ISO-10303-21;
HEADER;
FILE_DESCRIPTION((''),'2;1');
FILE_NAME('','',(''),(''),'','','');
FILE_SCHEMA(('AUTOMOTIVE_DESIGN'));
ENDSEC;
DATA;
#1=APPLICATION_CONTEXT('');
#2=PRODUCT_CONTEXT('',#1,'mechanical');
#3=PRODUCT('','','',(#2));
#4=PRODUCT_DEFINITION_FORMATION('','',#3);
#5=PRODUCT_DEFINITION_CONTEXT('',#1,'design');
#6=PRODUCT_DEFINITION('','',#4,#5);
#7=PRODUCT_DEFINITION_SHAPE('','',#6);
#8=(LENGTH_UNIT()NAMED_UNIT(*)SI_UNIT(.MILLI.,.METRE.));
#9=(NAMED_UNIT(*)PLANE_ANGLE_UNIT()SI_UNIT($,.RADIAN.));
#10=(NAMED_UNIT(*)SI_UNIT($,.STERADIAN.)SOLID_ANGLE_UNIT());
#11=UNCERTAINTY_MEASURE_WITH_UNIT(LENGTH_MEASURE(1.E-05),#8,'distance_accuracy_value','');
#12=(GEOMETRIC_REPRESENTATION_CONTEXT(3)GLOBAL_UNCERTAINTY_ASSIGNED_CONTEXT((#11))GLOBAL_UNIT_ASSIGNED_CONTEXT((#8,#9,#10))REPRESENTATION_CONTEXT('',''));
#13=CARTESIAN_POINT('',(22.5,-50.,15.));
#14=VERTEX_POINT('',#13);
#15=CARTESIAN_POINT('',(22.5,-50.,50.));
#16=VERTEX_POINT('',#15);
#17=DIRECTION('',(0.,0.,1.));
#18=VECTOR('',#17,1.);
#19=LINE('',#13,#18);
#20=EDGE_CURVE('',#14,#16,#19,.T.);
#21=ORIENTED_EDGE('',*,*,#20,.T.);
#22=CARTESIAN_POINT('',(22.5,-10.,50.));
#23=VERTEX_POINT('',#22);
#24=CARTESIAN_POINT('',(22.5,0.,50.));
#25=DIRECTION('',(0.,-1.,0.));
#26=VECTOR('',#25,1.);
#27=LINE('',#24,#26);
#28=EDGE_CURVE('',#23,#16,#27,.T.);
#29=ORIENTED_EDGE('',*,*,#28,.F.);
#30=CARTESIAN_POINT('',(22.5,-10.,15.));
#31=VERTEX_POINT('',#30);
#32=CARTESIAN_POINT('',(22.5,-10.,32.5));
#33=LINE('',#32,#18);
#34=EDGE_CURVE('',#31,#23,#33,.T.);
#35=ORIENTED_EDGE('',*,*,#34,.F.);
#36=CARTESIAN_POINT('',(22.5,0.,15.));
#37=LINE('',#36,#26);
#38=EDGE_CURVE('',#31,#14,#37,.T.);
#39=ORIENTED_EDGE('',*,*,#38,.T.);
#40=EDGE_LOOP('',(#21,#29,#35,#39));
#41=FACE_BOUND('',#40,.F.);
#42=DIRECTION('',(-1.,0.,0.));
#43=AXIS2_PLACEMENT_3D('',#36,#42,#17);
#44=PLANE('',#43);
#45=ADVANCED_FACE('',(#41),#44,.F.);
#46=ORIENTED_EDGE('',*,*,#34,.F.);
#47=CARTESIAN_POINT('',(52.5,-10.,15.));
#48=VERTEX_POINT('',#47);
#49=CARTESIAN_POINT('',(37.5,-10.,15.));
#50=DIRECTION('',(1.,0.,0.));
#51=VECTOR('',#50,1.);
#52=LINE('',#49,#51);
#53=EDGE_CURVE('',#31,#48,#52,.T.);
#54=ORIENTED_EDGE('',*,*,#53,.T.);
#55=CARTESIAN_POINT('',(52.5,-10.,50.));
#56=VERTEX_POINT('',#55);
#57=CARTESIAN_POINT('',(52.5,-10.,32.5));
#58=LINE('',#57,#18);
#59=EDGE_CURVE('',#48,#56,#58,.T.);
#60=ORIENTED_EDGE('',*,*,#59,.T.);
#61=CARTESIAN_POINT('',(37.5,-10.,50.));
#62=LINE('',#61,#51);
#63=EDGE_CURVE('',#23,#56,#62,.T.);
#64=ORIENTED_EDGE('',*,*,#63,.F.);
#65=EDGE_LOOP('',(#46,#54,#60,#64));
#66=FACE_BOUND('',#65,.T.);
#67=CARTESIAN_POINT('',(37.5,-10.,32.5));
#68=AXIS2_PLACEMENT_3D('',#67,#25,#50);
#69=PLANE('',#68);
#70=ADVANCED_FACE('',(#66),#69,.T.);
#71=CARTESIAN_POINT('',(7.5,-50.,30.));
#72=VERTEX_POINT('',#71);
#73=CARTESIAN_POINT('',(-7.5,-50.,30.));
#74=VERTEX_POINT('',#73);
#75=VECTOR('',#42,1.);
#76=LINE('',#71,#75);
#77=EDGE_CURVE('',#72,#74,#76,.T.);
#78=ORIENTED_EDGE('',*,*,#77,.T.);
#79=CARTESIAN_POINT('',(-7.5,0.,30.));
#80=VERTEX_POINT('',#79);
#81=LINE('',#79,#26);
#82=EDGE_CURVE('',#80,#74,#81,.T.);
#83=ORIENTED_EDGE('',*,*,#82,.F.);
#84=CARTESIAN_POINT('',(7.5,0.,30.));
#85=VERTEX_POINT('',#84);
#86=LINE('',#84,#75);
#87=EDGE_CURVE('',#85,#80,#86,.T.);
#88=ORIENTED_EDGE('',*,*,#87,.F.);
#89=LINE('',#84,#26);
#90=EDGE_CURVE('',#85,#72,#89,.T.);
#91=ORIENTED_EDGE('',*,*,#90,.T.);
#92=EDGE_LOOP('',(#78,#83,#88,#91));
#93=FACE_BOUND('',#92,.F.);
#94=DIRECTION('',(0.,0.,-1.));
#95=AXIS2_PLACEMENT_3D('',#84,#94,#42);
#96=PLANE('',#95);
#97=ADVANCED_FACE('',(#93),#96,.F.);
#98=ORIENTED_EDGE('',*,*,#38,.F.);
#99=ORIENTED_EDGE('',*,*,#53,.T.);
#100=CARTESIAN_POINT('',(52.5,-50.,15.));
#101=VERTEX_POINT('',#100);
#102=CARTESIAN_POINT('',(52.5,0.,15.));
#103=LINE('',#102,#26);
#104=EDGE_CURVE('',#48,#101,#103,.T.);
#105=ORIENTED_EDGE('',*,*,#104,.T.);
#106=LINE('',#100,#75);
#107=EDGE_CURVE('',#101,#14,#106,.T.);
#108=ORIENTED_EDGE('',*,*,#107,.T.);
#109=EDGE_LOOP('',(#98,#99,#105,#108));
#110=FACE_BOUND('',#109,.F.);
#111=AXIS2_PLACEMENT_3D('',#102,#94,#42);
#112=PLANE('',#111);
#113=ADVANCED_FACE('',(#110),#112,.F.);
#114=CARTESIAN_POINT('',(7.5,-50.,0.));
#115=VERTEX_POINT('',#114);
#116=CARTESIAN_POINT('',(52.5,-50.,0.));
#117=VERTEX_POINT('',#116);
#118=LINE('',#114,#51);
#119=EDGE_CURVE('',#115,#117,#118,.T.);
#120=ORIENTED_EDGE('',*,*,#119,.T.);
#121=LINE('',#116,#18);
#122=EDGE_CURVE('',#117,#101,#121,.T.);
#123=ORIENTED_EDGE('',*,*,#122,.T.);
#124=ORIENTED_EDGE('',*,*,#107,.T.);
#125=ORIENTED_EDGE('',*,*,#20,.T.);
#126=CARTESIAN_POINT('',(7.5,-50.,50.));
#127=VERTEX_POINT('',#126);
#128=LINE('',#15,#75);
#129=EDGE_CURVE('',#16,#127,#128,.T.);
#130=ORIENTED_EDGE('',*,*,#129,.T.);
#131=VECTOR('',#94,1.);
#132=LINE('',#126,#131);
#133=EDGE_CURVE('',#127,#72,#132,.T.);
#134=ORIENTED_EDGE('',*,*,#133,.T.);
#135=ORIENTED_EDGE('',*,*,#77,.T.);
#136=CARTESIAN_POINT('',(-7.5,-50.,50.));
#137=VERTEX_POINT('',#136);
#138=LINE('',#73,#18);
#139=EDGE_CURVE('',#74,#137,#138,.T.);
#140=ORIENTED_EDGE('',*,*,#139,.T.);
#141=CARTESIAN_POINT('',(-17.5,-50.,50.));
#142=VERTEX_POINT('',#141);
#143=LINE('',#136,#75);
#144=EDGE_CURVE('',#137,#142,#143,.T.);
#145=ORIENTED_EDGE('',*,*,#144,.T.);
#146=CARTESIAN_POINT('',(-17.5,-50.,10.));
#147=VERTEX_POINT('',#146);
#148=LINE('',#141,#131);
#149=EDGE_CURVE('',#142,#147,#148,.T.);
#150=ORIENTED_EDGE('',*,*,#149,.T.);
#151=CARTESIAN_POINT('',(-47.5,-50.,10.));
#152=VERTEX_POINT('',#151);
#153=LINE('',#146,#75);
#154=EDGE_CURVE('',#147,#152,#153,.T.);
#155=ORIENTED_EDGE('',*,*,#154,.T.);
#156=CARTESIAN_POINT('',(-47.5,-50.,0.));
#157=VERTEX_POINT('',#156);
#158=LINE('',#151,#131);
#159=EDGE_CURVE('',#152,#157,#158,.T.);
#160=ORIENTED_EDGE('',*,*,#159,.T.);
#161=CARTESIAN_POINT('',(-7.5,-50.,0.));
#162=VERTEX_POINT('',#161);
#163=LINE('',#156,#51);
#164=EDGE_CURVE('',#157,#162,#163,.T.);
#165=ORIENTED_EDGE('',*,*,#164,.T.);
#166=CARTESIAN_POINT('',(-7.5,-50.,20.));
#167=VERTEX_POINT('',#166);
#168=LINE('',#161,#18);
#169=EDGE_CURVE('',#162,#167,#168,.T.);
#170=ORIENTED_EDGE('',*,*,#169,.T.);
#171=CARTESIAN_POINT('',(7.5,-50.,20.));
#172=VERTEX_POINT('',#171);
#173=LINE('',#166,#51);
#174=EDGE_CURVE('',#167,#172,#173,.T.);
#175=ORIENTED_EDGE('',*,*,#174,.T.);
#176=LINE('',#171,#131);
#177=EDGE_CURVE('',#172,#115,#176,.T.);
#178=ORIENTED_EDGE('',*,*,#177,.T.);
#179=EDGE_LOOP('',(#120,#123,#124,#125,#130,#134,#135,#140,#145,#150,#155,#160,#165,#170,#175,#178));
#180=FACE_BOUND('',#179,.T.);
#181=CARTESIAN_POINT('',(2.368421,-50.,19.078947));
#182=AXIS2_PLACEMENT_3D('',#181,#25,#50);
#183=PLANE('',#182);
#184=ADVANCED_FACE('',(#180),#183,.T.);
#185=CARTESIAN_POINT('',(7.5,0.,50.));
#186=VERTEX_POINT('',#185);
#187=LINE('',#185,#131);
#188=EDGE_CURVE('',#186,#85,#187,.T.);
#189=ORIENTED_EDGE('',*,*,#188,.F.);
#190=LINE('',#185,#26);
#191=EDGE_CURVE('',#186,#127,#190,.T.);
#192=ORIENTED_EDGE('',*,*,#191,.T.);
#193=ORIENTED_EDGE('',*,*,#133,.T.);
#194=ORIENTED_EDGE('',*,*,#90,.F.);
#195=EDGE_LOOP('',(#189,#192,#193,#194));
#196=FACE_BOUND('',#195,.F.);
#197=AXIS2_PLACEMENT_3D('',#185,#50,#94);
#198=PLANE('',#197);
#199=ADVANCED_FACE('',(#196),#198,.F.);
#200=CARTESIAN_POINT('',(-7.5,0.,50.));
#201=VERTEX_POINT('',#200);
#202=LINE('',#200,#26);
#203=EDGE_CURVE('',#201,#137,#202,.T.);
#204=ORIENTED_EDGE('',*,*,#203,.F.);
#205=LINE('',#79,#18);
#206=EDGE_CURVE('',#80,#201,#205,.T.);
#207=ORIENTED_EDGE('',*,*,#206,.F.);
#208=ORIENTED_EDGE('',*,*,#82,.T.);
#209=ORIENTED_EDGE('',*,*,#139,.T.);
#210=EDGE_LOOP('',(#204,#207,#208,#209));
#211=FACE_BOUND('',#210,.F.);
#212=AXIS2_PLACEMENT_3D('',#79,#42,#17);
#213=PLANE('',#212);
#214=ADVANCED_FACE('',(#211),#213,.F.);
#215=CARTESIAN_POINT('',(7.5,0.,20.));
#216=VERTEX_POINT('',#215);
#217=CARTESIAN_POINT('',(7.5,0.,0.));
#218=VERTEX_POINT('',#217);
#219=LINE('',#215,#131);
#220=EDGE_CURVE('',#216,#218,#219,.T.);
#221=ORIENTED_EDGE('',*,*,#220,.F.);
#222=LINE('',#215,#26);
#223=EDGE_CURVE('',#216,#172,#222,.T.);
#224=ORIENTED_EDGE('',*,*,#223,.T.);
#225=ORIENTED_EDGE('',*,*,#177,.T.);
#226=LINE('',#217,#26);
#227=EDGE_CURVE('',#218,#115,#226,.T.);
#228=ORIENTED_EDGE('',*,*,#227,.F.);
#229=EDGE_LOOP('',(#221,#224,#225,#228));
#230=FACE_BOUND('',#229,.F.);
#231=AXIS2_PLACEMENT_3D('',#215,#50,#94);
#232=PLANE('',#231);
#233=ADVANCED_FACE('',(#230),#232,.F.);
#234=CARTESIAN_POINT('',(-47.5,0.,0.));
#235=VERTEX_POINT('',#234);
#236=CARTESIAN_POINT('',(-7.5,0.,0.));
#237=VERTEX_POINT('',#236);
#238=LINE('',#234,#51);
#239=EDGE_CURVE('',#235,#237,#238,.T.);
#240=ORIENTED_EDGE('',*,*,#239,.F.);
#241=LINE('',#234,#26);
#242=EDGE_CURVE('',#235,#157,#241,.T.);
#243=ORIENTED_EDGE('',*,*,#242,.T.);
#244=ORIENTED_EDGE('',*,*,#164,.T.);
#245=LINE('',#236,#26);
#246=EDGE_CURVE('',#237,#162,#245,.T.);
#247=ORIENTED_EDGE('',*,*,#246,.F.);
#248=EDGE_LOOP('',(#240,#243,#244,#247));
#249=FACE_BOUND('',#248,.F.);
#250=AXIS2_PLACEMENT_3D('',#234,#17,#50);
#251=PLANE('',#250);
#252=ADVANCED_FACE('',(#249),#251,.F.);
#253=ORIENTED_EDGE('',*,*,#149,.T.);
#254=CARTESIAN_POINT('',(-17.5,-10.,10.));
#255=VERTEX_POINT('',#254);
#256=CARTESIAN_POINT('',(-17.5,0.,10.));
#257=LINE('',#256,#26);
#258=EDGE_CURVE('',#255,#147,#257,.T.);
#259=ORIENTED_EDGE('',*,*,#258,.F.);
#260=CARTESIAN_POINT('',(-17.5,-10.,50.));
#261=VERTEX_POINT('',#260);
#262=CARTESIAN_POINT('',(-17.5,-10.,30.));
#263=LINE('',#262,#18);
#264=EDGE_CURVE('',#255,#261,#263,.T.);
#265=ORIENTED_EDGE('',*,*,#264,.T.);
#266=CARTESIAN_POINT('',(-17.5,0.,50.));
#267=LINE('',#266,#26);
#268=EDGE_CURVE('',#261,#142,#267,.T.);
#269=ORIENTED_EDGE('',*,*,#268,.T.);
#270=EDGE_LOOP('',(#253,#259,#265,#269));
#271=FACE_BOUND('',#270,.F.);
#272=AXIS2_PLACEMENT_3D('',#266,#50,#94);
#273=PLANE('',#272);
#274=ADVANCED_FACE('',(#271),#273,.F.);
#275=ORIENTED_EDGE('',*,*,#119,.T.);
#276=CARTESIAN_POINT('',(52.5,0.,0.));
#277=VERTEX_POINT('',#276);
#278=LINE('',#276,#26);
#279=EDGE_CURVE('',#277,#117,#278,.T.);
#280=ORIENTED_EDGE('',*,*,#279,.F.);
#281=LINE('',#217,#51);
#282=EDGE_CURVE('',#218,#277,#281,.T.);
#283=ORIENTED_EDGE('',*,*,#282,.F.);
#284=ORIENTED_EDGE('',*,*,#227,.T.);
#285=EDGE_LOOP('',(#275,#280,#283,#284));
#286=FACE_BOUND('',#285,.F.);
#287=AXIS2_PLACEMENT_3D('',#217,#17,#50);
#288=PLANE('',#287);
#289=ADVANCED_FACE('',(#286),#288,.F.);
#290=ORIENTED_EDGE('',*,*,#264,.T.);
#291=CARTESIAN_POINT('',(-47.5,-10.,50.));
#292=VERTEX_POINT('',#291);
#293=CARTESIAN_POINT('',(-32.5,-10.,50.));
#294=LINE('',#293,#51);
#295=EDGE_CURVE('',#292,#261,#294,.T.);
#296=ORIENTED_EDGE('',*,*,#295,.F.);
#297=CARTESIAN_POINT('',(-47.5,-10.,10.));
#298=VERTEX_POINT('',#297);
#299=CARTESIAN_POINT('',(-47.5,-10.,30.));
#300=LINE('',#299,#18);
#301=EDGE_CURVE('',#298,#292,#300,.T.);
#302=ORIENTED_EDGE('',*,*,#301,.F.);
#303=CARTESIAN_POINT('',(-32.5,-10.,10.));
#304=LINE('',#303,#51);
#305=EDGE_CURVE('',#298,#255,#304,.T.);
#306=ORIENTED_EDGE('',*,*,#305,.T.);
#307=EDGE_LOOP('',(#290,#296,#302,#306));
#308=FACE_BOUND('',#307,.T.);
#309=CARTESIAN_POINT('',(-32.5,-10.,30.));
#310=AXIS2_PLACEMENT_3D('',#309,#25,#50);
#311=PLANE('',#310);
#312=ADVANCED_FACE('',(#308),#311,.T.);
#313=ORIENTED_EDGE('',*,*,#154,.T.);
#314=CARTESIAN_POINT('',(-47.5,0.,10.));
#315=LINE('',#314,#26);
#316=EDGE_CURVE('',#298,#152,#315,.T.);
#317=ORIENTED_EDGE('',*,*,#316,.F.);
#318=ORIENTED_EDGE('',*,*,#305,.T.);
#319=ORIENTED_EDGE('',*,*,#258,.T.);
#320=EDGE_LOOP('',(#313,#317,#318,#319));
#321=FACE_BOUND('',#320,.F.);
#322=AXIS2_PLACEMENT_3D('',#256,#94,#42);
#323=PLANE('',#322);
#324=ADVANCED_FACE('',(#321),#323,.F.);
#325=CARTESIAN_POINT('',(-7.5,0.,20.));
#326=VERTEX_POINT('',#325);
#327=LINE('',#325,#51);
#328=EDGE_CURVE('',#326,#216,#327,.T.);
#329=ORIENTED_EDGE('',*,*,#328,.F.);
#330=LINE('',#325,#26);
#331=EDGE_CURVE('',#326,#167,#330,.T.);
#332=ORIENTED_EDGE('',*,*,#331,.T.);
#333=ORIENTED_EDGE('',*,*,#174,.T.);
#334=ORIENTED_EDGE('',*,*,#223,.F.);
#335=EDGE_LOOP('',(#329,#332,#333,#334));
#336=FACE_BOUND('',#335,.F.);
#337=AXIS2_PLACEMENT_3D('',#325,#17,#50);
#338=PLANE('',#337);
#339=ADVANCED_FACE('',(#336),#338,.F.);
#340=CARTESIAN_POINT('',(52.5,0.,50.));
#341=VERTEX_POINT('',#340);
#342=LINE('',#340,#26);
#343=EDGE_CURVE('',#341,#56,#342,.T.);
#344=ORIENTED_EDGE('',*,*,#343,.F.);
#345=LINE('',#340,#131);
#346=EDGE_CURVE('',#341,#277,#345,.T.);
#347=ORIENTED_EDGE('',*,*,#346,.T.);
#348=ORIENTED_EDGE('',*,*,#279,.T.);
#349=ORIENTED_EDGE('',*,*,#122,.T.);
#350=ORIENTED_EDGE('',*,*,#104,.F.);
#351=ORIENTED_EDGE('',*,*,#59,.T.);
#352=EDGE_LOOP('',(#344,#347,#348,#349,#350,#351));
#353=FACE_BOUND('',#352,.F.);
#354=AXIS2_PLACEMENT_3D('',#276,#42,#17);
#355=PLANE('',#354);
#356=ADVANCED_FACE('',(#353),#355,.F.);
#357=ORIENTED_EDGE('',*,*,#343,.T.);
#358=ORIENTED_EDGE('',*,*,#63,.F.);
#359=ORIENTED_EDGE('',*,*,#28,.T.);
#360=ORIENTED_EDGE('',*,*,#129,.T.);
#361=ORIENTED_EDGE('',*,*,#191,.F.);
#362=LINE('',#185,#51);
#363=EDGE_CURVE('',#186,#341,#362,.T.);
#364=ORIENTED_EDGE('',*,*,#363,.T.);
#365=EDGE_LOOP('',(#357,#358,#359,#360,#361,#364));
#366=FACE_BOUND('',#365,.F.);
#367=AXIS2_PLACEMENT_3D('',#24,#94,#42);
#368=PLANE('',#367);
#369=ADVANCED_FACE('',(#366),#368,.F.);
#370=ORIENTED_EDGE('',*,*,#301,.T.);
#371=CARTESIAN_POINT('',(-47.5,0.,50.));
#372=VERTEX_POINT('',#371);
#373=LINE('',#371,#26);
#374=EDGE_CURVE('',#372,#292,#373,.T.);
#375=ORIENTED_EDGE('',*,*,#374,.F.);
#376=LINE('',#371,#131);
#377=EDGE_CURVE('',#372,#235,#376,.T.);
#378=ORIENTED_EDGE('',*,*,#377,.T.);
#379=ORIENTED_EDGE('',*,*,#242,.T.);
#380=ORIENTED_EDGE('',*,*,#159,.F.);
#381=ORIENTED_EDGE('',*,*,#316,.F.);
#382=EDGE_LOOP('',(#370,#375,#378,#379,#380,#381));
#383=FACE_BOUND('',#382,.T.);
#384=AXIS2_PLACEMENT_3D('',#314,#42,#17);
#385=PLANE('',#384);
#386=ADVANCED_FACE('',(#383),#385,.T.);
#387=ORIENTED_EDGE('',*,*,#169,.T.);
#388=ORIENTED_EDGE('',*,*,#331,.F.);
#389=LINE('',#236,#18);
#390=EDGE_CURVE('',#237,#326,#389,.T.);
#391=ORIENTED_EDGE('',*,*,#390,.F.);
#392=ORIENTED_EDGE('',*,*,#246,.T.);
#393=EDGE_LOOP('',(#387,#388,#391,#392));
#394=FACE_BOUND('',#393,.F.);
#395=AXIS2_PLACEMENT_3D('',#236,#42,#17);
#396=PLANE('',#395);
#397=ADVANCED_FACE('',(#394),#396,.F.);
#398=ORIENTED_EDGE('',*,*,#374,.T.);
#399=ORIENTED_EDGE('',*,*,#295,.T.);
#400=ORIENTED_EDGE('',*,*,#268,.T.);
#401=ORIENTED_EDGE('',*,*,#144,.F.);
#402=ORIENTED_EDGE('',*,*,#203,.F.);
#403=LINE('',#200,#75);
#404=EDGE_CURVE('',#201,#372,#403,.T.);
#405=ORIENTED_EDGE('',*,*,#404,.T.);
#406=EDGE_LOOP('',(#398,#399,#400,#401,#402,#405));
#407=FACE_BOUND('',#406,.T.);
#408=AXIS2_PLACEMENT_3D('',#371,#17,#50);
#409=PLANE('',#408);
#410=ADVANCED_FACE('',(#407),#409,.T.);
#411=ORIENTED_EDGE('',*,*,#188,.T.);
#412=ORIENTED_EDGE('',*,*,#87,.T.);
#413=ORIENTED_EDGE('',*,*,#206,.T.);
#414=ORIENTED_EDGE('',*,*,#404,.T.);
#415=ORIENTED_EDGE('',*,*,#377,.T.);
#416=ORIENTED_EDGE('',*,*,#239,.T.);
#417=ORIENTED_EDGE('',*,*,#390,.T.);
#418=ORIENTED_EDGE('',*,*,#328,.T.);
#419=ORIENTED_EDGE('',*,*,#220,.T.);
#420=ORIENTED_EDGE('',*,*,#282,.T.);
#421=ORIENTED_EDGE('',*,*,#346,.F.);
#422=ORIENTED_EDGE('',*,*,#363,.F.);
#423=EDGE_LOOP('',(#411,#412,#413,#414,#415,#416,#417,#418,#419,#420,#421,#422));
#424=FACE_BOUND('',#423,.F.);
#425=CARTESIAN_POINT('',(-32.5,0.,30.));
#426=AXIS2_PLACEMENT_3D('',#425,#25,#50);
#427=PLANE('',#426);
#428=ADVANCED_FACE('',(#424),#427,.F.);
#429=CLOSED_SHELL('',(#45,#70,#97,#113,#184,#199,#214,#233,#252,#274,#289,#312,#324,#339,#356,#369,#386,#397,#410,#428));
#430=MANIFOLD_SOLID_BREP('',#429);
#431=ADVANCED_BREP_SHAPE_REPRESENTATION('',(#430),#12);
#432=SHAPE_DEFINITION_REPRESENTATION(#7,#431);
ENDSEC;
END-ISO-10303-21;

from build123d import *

# Parameters (mm, degrees)
F1_DEPTH = 50
F2_W     = 30
F2_H     = 40
F2_H_2   = 35
F3_DEPTH = 10


with BuildPart() as f1:
    # F0 (on Front) → F1 (new body)
    with BuildSketch(Plane.XZ):
        Polygon((-17.5, 50), (-17.5, 10), (-47.5, 10), (-47.5, 0), (-7.5, 0), (-7.5, 20), (7.5, 20), (7.5, 0), (52.5, 0), (52.5, 15), (22.5, 15), (22.5, 50), (7.5, 50), (7.5, 30), (-7.5, 30), (-7.5, 50), align=None)
    extrude(amount=F1_DEPTH)

    # F2 (on Front) → F3 (join)
    with BuildSketch(Plane.XZ):
        with Locations((-32.5, 30)):
            Rectangle(F2_W, F2_H)
        with Locations((37.5, 32.5)):
            Rectangle(F2_W, F2_H_2)
    extrude(amount=F3_DEPTH)


solid = f1.part
